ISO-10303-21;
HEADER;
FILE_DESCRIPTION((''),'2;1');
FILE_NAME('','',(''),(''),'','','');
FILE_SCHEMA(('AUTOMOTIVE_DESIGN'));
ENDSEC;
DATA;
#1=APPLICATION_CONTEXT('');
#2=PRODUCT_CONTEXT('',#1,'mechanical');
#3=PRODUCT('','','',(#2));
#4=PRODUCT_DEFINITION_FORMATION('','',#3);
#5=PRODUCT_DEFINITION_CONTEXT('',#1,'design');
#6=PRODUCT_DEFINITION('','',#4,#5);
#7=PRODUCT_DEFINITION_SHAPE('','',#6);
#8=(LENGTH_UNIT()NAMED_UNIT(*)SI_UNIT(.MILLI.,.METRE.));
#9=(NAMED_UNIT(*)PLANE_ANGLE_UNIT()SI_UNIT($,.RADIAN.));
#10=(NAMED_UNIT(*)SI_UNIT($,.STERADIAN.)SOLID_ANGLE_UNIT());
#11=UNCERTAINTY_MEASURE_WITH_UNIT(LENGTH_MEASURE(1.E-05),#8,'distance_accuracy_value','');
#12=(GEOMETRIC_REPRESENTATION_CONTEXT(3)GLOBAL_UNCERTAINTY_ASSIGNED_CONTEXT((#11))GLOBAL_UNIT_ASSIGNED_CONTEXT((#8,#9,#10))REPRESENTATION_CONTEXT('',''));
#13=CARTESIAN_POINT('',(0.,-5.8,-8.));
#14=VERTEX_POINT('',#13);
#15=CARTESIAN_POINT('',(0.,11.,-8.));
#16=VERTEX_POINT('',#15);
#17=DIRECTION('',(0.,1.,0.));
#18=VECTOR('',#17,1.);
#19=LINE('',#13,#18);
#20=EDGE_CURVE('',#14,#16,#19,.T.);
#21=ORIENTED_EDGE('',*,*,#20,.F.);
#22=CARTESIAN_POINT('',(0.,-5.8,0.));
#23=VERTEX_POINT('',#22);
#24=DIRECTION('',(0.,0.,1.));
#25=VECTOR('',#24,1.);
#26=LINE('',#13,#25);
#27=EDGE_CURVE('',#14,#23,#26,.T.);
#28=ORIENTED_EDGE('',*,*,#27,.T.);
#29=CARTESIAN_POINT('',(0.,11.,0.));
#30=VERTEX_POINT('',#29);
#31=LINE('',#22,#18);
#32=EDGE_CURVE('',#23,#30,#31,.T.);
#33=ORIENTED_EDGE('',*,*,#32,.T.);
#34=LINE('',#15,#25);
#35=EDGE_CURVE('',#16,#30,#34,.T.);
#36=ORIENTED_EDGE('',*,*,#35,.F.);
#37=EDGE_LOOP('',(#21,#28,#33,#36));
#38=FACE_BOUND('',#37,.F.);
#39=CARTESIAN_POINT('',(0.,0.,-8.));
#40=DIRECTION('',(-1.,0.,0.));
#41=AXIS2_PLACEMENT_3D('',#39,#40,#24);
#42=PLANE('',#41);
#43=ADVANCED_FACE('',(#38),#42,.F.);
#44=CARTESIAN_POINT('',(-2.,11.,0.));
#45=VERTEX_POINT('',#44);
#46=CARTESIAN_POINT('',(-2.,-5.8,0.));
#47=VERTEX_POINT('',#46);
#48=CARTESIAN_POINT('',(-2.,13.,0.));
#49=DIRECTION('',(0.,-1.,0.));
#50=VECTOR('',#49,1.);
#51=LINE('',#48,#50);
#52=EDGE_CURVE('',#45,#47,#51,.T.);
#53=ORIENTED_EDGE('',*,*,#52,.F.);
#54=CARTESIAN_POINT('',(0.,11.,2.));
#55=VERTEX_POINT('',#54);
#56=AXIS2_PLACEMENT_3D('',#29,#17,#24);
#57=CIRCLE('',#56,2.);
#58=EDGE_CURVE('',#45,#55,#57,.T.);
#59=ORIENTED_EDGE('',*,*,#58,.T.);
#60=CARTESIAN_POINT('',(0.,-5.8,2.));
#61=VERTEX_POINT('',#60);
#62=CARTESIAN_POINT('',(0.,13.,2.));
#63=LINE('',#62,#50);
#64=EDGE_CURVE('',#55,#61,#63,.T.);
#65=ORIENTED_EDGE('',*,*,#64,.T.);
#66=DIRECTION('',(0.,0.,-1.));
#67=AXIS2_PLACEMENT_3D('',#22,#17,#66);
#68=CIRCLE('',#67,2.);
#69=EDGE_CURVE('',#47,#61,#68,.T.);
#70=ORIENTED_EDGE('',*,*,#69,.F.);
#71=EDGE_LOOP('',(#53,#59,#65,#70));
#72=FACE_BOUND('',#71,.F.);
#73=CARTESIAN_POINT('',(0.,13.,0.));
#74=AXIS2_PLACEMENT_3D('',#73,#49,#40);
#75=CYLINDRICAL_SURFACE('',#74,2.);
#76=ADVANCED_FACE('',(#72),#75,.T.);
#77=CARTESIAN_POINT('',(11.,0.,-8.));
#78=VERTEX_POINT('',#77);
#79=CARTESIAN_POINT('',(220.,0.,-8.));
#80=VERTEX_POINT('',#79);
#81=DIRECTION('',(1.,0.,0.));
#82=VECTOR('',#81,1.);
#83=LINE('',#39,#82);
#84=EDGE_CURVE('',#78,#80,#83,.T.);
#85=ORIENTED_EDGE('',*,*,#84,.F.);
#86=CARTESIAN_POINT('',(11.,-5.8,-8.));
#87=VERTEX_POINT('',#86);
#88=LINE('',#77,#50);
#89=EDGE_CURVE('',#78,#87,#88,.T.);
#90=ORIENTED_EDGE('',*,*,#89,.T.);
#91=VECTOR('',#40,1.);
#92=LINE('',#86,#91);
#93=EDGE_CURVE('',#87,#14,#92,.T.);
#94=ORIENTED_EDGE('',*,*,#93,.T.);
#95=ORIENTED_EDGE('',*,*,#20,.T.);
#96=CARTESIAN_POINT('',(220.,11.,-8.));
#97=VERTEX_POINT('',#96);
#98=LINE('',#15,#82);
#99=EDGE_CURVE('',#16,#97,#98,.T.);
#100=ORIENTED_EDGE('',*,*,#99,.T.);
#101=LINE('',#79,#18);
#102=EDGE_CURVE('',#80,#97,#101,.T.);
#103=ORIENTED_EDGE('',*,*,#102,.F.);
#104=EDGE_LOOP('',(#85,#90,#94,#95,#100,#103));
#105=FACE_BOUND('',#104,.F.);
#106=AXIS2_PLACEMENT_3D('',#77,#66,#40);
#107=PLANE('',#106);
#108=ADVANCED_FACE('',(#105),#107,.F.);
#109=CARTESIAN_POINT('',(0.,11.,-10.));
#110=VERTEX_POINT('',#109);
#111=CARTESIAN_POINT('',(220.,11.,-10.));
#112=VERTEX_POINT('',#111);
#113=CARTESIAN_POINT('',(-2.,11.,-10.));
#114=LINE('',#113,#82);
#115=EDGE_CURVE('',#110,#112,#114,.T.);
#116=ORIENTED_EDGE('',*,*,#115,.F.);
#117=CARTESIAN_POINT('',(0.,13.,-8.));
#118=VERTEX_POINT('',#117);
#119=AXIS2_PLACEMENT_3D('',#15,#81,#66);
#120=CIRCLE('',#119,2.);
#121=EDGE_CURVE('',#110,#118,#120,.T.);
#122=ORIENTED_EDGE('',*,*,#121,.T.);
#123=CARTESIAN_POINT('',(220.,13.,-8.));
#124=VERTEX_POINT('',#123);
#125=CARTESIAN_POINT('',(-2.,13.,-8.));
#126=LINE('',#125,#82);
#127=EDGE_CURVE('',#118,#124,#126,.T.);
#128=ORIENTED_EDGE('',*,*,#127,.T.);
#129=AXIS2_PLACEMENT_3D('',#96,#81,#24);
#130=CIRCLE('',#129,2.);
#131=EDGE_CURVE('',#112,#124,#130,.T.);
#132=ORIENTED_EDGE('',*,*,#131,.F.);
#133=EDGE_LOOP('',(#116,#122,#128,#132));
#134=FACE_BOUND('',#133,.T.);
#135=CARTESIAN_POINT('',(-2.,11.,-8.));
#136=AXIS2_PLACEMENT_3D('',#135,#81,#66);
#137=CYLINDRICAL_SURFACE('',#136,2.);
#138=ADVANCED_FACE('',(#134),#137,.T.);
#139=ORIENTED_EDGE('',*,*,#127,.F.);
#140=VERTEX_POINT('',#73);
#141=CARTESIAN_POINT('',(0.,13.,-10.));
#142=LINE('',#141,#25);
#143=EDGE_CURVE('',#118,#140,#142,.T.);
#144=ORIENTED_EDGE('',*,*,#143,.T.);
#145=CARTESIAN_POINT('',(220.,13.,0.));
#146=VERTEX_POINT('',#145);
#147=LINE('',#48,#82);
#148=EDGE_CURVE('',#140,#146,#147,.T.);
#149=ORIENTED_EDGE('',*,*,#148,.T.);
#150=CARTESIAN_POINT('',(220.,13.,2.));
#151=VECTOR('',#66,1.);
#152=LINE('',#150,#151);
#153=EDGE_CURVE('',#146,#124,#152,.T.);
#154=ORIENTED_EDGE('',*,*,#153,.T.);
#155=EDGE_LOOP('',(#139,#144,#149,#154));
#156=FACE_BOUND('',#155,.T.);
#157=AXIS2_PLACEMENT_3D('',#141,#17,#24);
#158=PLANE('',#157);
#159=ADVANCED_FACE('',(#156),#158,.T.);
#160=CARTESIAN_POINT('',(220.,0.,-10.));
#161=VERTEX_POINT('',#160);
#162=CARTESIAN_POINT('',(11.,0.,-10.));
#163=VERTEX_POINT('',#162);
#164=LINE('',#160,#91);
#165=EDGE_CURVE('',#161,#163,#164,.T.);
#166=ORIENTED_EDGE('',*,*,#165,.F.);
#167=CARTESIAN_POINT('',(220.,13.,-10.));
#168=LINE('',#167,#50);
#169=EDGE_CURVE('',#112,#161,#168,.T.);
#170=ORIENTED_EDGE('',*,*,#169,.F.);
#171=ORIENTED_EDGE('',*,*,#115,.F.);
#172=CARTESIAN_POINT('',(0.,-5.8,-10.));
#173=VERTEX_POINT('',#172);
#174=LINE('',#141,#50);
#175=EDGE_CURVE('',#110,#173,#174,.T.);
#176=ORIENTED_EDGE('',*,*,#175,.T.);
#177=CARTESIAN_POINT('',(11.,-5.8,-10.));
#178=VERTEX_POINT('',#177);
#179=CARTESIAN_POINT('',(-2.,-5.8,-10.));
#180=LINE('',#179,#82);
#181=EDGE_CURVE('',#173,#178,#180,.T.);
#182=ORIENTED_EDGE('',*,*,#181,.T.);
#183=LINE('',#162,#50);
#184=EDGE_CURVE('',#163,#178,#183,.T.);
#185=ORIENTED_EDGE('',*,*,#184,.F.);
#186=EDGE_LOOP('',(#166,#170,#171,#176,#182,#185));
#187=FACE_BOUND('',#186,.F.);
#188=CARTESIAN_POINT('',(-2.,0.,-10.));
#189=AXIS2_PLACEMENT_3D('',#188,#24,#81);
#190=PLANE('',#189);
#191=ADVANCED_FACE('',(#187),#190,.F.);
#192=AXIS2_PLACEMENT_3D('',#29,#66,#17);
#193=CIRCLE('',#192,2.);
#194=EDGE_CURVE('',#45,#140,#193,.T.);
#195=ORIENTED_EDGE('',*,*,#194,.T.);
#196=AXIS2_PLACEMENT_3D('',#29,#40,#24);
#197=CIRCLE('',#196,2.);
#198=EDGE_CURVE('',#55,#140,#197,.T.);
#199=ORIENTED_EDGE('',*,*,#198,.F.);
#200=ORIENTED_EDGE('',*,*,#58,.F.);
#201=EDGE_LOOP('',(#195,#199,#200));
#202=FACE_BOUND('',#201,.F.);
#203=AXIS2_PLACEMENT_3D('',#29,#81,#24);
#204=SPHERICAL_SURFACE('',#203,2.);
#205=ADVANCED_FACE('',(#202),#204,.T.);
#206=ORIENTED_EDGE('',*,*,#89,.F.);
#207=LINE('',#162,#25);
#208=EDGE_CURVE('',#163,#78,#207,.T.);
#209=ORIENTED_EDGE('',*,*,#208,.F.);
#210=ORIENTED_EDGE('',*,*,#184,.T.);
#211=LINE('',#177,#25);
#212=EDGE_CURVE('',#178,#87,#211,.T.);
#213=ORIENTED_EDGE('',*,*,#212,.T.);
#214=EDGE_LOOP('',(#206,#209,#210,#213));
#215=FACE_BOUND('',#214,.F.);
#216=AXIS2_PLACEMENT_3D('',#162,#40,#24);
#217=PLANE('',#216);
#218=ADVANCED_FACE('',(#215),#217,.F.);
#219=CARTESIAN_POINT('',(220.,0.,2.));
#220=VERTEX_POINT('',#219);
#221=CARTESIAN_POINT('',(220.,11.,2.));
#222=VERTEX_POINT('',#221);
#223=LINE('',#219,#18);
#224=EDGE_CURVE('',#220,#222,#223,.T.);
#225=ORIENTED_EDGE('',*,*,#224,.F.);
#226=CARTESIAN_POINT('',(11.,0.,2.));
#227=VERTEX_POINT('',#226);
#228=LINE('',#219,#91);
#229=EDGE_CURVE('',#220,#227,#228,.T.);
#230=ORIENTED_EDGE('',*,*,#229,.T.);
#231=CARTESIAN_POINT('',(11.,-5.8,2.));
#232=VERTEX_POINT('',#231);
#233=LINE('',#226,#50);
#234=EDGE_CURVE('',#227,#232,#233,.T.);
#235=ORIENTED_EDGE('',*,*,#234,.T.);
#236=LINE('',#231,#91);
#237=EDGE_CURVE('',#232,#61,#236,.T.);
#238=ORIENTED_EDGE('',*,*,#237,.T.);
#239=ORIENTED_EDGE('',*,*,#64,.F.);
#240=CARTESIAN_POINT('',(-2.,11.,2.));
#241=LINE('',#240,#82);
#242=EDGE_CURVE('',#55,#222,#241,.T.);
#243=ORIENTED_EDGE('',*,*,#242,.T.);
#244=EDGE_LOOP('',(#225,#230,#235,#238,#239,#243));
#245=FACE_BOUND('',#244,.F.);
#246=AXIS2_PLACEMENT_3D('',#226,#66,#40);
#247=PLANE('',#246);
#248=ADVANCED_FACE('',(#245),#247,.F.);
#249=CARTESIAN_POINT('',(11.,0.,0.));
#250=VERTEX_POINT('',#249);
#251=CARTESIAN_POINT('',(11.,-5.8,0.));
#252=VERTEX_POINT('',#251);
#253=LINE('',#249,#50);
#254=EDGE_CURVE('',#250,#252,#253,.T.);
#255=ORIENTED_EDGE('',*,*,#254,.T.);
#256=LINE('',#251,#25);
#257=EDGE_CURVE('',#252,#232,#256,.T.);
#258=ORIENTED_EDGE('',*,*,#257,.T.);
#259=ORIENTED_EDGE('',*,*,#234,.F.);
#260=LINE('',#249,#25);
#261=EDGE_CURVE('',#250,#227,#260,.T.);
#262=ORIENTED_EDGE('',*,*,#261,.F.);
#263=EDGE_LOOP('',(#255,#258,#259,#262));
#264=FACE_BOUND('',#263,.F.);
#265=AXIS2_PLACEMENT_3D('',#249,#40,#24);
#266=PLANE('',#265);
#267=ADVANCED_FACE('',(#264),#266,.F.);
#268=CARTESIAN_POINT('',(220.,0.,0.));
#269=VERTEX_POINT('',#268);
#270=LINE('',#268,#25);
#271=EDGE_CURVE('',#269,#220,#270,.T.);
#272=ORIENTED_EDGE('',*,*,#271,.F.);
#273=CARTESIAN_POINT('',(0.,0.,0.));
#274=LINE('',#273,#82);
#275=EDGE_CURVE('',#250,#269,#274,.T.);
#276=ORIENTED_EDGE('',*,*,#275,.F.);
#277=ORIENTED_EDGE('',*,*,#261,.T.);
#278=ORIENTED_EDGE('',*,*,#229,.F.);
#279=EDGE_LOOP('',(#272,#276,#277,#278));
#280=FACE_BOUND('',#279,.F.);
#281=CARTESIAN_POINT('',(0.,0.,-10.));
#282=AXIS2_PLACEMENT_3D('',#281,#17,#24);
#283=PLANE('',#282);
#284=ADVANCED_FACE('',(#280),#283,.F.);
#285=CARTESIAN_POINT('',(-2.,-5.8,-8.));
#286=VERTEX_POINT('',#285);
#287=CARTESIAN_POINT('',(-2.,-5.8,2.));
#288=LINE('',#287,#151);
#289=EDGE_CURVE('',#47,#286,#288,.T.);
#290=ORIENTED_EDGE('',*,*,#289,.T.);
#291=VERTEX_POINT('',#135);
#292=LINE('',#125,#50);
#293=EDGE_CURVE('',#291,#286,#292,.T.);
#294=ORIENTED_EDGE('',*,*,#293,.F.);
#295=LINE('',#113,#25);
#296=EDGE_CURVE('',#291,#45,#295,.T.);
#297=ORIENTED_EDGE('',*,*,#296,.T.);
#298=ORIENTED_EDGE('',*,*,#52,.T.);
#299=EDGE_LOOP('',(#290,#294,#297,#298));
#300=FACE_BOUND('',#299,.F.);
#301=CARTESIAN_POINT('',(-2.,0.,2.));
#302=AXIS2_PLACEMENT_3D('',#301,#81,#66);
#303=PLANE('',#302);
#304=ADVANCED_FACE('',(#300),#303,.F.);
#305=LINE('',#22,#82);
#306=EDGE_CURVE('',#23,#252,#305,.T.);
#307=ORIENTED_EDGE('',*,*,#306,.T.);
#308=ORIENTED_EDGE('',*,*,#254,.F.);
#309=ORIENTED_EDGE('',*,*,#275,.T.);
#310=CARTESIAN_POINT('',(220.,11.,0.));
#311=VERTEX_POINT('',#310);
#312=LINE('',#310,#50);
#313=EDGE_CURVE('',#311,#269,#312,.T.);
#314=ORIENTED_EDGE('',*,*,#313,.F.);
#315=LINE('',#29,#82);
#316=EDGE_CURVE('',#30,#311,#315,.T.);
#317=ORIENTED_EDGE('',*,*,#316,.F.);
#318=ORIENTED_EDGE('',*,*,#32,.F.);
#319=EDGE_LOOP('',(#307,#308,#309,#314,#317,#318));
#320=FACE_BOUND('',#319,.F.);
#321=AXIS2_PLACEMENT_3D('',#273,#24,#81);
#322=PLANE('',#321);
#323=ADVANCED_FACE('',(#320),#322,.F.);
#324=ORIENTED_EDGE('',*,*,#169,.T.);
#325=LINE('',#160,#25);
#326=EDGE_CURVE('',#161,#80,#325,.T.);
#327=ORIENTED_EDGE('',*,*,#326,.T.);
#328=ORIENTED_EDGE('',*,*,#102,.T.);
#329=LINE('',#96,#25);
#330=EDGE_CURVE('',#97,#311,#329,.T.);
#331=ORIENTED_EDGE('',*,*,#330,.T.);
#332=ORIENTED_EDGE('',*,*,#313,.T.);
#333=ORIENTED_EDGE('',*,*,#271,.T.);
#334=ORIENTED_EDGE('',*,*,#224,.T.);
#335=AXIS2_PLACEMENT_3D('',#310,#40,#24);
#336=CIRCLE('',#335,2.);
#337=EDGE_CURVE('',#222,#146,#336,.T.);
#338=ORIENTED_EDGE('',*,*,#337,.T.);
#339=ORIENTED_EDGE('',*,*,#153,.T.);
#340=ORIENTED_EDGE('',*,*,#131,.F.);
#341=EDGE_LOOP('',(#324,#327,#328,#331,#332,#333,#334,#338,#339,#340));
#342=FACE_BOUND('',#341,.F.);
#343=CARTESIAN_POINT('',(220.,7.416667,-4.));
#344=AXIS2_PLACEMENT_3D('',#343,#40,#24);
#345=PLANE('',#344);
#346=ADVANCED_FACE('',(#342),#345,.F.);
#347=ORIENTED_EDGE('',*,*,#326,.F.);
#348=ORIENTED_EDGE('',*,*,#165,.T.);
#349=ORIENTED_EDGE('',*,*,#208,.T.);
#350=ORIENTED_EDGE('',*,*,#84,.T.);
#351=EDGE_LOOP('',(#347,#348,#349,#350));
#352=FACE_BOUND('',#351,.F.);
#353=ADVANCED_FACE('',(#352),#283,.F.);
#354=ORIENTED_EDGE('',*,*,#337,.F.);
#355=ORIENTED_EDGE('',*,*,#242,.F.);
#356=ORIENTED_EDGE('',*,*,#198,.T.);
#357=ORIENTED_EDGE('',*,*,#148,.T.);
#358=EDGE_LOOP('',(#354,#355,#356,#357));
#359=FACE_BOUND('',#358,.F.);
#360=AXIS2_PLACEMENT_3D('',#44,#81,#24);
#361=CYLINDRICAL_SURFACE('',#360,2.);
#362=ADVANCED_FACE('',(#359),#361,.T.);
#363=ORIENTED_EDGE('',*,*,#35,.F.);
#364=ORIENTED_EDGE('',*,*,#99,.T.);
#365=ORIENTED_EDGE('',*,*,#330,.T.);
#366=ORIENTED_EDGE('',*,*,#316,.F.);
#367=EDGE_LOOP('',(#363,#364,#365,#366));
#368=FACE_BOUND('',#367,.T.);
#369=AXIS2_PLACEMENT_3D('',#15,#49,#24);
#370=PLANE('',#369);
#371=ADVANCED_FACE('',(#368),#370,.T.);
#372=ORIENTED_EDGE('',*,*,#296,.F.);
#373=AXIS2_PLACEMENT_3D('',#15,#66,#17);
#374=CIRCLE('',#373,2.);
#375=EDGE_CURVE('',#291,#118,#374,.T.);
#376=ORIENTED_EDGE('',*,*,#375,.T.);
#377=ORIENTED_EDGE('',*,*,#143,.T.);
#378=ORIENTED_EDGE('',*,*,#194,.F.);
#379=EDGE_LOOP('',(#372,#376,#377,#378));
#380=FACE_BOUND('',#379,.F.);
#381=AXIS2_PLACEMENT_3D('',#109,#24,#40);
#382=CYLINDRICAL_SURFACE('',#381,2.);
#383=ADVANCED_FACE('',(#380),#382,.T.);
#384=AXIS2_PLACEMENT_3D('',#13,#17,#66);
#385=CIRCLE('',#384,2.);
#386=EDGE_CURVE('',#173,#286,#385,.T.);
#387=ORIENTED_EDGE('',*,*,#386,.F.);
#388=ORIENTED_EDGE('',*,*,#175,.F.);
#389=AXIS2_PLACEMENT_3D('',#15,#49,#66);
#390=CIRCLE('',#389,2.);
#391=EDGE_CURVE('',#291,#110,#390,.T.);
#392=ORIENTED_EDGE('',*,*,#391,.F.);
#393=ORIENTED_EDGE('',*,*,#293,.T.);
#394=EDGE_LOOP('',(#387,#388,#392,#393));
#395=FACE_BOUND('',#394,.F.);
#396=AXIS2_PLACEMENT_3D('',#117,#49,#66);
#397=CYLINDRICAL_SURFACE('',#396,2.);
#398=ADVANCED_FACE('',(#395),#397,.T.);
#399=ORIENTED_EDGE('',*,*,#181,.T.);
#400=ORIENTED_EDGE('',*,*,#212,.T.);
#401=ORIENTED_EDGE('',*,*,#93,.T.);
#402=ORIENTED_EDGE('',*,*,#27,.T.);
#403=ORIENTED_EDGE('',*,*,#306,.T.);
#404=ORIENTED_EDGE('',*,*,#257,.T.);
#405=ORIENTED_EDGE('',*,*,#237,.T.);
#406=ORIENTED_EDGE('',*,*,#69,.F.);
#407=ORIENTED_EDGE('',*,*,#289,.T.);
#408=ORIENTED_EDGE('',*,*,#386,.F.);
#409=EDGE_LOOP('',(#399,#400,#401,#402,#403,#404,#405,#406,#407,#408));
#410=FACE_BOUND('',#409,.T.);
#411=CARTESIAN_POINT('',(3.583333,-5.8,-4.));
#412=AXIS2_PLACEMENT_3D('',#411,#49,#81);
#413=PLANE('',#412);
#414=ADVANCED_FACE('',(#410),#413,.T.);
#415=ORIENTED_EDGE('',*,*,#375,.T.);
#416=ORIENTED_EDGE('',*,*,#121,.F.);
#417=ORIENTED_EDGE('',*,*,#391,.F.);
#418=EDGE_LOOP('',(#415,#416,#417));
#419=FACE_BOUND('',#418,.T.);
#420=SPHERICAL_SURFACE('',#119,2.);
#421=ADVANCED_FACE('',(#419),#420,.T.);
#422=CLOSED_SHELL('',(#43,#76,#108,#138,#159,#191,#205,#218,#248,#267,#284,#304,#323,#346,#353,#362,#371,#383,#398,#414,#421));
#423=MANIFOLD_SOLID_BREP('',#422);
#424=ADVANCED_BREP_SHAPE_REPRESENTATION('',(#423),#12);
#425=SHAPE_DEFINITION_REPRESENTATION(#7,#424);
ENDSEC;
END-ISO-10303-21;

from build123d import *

# Parameters (mm, degrees)
BOSS_EXTRUDE1_DEPTH = 220
SKETCH2_W           = 12
SKETCH2_H           = 13
BOSS_EXTRUDE2_DEPTH = 2
BOSS_EXTRUDE3_DEPTH = 5.8
FILLET1_R           = 2


with BuildPart() as part:
    # Sketch1 → Boss-Extrude1 (new body)
    with BuildSketch(Plane(origin=(0, 0, 0), x_dir=(0, 0, -1), z_dir=(1, 0, 0))):
        Polygon((8, 0), (8, 11), (0, 11), (0, 0), (-2, 0), (-2, 13), (10, 13), (10, 0), align=None)
    extrude(amount=BOSS_EXTRUDE1_DEPTH)

    # Sketch2 → Boss-Extrude2 (add)
    with BuildSketch(Plane.ZY):
        with Locations((-4, 6.5)):
            Rectangle(SKETCH2_W, SKETCH2_H)
    extrude(amount=BOSS_EXTRUDE2_DEPTH)

    # Sketch4 → Boss-Extrude3 (add)
    with BuildSketch(Plane.XZ):
        Polygon((0, 0), (11, 0), (11, 2), (-2, 2), (-2, -10), (11, -10), (11, -8), (0, -8), align=None)
    extrude(amount=BOSS_EXTRUDE3_DEPTH)

    # Fillet1
    fillet1_edges = [part.edges().sort_by_distance(p)[0] for p in [
        (109, 13, 2),
        (109, 13, -10),
        (-2, 3.6, -10),
        (-2, 3.6, 2),
        (-2, 13, -4),
    ]]
    fillet(fillet1_edges, radius=FILLET1_R)


solid = part.part
